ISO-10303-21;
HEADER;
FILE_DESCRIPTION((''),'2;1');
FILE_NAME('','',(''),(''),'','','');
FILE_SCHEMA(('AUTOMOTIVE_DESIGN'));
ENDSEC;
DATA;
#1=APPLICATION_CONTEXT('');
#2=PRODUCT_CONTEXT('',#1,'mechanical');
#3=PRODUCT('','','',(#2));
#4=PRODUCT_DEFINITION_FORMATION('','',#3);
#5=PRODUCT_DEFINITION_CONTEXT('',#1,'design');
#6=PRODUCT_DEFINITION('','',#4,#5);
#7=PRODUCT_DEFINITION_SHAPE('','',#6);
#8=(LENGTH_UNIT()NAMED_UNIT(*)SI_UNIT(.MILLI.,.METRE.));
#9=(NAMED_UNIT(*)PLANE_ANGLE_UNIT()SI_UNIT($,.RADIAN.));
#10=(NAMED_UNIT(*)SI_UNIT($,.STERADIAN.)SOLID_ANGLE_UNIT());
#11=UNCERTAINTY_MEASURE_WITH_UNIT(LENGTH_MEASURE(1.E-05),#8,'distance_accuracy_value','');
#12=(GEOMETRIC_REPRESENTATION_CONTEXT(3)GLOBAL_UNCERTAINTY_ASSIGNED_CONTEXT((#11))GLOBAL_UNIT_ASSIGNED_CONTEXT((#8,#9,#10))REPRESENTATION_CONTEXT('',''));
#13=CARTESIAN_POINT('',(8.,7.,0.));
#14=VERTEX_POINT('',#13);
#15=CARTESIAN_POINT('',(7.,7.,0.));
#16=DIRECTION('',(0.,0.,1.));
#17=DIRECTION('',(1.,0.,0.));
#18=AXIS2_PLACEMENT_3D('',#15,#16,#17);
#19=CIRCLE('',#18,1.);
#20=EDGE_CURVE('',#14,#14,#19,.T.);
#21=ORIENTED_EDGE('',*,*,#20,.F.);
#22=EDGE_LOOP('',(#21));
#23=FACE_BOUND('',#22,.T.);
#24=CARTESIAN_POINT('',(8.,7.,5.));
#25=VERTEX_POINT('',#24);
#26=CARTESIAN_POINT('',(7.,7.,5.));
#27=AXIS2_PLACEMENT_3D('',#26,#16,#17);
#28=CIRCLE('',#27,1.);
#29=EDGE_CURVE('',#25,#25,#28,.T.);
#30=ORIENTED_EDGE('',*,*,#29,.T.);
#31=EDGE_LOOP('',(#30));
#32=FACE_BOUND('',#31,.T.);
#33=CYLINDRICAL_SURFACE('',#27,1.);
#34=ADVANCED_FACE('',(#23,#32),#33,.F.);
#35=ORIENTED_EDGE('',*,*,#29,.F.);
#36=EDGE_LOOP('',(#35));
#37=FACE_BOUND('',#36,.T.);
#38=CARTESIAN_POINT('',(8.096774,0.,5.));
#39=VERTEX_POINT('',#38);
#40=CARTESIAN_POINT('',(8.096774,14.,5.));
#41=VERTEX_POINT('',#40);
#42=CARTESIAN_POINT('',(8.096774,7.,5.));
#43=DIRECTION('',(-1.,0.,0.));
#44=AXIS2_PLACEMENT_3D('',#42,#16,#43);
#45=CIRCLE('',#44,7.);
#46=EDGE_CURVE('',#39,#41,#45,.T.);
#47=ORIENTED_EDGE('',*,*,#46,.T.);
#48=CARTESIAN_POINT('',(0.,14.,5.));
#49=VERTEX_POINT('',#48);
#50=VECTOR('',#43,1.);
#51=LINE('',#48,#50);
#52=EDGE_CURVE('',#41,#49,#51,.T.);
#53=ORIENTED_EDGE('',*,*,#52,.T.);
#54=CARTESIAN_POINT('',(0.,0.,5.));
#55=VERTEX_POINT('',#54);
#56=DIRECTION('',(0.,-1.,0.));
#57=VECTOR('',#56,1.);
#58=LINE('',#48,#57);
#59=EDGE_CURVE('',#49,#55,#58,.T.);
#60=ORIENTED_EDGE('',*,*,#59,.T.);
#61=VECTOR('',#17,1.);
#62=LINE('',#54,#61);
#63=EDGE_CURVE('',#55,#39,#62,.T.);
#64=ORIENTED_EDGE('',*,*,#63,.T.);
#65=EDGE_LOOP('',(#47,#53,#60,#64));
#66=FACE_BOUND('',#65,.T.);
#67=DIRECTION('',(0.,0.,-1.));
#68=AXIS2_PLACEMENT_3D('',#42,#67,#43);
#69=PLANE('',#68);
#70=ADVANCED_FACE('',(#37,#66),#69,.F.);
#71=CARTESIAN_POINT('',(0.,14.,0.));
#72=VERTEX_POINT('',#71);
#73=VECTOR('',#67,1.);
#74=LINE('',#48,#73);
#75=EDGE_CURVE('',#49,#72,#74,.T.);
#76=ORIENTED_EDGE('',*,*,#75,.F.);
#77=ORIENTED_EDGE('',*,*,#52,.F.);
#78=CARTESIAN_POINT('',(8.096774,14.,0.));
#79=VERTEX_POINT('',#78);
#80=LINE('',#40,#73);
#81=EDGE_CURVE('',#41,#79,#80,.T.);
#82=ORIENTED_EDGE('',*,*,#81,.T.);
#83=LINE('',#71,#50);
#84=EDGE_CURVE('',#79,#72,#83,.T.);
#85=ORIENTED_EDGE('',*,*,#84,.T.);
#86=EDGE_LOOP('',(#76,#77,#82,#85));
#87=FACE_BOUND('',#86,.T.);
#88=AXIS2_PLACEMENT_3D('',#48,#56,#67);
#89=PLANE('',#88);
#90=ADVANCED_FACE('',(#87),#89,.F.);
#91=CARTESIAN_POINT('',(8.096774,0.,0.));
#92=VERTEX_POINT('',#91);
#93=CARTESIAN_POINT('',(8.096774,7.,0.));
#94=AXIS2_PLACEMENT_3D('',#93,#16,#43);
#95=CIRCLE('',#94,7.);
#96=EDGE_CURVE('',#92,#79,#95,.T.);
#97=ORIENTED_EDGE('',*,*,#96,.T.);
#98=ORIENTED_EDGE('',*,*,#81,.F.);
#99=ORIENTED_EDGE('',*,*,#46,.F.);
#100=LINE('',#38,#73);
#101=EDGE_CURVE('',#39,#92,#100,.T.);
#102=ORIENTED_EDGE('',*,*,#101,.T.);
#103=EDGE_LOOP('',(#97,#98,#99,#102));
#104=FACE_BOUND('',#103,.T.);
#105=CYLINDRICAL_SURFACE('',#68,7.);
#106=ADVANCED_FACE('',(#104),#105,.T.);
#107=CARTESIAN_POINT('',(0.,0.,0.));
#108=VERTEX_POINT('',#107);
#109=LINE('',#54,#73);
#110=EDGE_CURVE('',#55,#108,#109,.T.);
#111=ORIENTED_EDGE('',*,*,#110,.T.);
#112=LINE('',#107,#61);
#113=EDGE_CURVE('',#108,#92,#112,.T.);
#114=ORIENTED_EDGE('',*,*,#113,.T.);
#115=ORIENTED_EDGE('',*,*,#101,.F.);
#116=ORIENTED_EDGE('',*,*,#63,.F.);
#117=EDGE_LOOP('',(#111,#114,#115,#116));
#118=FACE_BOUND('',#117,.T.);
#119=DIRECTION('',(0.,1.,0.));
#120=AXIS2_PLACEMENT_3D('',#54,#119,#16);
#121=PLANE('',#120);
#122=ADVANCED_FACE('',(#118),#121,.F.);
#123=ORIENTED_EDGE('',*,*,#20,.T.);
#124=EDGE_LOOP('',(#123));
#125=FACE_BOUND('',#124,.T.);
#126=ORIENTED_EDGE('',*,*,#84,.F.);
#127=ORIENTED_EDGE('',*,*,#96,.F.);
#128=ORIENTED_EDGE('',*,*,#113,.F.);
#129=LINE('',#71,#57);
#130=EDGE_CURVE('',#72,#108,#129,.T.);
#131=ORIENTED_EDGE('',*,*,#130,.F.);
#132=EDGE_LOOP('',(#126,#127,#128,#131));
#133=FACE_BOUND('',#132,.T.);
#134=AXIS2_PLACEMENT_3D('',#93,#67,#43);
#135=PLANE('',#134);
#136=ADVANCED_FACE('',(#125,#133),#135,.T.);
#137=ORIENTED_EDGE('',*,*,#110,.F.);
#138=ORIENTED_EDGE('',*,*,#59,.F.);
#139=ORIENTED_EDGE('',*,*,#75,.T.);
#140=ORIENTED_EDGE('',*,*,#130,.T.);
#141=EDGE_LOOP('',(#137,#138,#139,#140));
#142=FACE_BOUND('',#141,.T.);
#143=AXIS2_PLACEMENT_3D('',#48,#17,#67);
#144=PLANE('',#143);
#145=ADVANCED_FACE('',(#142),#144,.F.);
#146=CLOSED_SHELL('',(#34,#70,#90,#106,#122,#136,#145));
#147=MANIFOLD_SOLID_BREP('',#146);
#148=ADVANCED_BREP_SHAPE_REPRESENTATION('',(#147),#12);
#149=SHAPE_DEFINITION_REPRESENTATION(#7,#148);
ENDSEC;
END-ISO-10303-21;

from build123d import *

# Parameters (mm, degrees)
BOSS_EXTRU_1_DEPTH            = 5
TROU_DE_PASSAGE_D_AXE_3_322_D = 2


with BuildPart() as part:
    # Esquisse1 → Boss.-Extru.1 (new body)
    with BuildSketch(Plane.XY):
        with BuildLine():
            Line((0, 14), (0, 0))
            Line((0, 0), (8.096774194, 0))
            ThreePointArc((8.096774194, 0), (15.096774194, 7), (8.096774194, 14))
            Line((8.096774194, 14), (0, 14))
        make_face()
    extrude(amount=BOSS_EXTRU_1_DEPTH)

    # Trou de passage d'axe 3/322 (through all)
    with Locations(Plane(origin=(7, 7, 5), x_dir=(1, 0, 0), z_dir=(0, 0, 1))):
        with Locations((0, 0)):
            Hole(TROU_DE_PASSAGE_D_AXE_3_322_D / 2)


solid = part.part
